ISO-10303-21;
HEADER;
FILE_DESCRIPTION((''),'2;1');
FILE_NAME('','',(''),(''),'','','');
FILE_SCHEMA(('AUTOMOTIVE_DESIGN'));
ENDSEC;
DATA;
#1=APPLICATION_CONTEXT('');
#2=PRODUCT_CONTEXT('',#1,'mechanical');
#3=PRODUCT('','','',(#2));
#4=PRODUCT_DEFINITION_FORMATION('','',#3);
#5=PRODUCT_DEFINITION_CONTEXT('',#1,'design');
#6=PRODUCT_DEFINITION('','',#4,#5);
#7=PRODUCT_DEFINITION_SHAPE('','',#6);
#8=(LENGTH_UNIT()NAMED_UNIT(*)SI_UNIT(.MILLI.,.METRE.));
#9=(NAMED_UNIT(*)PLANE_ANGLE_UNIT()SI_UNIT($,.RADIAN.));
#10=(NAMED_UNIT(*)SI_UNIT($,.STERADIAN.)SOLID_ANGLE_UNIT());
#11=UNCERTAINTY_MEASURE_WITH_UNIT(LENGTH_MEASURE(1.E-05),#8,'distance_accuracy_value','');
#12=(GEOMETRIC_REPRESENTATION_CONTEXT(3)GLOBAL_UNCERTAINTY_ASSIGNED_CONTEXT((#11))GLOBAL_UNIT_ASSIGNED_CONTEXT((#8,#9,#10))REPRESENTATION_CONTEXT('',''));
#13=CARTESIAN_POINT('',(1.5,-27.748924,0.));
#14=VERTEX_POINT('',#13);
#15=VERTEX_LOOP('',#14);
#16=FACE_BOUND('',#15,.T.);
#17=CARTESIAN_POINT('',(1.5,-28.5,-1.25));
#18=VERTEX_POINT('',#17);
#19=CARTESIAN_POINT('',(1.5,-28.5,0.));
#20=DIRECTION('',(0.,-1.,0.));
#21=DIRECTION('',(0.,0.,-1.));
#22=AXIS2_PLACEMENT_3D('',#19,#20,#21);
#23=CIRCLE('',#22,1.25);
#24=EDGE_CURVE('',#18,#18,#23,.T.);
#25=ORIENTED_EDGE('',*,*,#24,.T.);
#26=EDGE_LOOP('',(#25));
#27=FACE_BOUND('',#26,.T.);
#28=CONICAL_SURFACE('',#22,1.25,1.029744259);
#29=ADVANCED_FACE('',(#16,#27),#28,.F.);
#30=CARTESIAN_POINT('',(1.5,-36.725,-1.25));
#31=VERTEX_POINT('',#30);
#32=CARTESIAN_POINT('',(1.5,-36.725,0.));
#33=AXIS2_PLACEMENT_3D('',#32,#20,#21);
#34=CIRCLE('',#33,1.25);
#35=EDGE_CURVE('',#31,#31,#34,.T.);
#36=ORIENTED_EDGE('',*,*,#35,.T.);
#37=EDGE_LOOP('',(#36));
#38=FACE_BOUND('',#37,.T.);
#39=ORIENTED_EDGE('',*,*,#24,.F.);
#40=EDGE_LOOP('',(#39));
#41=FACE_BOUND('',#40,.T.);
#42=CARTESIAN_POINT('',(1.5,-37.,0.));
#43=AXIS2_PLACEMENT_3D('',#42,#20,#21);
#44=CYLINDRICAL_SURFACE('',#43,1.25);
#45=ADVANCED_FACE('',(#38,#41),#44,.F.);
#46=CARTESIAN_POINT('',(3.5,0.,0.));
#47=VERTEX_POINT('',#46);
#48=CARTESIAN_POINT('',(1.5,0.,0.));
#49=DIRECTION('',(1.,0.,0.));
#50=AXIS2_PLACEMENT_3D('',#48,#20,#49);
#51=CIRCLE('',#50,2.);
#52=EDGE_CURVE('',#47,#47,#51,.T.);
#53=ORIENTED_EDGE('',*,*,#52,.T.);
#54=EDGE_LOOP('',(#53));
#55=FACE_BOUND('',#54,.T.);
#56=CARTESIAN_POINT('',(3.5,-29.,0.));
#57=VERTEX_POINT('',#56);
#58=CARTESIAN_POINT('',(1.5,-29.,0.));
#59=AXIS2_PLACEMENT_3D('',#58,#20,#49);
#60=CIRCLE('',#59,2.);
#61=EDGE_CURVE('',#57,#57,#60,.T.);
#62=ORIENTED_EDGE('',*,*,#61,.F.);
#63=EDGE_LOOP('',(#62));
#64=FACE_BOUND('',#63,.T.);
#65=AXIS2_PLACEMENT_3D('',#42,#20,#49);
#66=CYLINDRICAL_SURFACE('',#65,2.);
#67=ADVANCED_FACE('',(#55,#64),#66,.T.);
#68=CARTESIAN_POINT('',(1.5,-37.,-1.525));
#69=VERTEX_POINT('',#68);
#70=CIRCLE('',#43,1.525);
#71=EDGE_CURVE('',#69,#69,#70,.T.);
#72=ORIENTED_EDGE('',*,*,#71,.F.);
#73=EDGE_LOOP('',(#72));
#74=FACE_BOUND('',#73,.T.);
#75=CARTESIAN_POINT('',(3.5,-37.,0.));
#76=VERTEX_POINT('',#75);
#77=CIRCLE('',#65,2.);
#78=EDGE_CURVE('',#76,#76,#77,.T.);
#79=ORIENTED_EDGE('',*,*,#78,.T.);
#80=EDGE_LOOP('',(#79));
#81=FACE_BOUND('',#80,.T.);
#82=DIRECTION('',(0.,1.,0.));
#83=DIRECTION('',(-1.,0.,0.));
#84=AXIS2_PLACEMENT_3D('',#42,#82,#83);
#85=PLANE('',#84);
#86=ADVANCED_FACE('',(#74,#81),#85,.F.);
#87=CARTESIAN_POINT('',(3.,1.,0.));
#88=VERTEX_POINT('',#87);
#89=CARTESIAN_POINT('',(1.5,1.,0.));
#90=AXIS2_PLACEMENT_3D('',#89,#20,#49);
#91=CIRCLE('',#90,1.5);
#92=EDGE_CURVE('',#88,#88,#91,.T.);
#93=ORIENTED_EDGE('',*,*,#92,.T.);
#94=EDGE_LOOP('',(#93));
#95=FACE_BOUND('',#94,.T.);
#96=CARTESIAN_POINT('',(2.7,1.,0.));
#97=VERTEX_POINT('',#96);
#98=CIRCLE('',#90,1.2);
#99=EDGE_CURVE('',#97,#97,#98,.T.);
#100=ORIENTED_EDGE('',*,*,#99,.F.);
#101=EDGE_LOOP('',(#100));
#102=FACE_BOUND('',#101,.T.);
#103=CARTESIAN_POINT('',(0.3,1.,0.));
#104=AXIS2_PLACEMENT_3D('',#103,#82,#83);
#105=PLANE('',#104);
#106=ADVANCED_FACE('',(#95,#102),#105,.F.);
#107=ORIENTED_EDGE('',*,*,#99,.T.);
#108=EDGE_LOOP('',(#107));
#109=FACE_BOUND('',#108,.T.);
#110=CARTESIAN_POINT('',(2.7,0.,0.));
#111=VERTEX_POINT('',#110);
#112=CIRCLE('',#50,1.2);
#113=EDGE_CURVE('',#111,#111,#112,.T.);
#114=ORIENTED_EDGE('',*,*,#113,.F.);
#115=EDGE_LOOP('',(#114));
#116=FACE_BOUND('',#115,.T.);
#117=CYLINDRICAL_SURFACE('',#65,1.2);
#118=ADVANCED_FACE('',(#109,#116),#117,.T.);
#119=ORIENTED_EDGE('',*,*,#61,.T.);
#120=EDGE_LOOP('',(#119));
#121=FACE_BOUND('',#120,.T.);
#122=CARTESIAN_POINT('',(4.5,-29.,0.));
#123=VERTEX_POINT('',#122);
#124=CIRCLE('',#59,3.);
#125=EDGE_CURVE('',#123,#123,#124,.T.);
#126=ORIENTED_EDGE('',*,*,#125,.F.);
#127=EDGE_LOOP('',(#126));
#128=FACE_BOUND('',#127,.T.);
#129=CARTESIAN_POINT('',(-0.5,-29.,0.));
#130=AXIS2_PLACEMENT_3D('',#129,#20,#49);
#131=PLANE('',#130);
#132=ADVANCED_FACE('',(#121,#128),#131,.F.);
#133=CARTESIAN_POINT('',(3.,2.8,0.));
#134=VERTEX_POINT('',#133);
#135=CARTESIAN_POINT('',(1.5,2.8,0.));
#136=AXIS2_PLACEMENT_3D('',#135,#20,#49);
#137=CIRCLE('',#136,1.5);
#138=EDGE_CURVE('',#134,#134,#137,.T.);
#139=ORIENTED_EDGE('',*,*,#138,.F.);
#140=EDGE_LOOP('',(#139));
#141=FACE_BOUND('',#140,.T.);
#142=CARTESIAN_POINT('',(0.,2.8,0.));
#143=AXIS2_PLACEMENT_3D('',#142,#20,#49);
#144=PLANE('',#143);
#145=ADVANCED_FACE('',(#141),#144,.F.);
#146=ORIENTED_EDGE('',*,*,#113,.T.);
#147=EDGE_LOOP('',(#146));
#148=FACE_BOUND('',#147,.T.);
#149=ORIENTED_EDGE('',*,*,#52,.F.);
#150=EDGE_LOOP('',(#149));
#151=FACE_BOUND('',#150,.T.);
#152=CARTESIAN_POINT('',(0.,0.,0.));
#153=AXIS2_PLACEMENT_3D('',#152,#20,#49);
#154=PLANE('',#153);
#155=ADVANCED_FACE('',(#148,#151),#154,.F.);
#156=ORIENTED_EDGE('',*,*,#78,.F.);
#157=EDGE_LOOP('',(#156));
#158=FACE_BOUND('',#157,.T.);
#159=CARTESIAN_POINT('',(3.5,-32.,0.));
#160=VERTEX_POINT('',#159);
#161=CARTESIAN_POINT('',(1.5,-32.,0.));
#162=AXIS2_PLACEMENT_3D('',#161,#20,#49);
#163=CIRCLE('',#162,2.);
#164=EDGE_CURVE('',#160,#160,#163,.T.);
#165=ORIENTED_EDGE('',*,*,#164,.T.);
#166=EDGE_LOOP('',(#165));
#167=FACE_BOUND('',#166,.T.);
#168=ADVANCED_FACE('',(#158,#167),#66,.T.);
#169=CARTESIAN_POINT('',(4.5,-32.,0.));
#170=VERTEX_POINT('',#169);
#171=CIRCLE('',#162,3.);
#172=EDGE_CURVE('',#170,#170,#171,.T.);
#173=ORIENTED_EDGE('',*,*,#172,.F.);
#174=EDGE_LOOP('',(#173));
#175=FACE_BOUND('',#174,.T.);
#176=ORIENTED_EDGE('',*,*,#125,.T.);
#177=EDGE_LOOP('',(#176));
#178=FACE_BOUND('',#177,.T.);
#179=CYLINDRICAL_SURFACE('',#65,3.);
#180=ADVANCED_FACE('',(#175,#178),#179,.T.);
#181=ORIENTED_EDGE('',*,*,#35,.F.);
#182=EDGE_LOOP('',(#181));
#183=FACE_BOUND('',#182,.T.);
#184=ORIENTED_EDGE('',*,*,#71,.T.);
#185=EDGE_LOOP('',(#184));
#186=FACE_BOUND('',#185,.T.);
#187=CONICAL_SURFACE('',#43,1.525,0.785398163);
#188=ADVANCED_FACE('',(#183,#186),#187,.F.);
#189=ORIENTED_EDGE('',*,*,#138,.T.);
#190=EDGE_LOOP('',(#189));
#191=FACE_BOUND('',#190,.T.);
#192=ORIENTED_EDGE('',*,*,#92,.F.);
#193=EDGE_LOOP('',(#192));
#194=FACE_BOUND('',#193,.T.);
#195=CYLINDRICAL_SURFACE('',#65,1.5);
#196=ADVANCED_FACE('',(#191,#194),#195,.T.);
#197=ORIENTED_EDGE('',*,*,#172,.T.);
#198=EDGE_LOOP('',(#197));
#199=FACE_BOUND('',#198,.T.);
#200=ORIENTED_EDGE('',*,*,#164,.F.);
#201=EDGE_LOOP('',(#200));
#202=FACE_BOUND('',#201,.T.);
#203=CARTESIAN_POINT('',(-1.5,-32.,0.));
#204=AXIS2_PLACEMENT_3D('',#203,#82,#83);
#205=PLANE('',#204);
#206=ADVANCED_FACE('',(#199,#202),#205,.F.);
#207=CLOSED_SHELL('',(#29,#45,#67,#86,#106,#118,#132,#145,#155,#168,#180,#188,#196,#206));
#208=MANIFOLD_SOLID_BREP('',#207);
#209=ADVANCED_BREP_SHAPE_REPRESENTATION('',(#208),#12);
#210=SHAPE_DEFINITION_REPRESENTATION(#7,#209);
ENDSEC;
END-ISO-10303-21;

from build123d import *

# Parameters (mm, degrees)
TROU_TARAUD_M31_D           = 2.5
TROU_TARAUD_M31_DEPTH       = 8.5
TROU_TARAUD_M31_CSINK_D     = 3.05
TROU_TARAUD_M31_CSINK_ANGLE = 90
TROU_TARAUD_M31_TIP         = 0.751075774


with BuildPart() as part:
    # Esquisse1 → Révolution1 (revolve)
    with BuildSketch(Plane.XY):
        Polygon((0, 0), (-0.5, 0), (-0.5, -29), (-1.5, -29), (-1.5, -32), (-0.5, -32), (-0.5, -37), (1.5, -37), (1.5, 2.8), (0, 2.8), (0, 1), (0.3, 1), (0.3, 0), align=None)
    revolve(axis=Axis((1.5, -37, 0), (0, 1, 0)))

    # Trou taraudé M31
    with Locations(Plane(origin=(0, -37, 0), x_dir=(-1, 0, 0), z_dir=(0, -1, 0))):
        with Locations((-1.5, 0)):
            CounterSinkHole(TROU_TARAUD_M31_D / 2, TROU_TARAUD_M31_CSINK_D / 2, depth=TROU_TARAUD_M31_DEPTH, counter_sink_angle=TROU_TARAUD_M31_CSINK_ANGLE)
            with Locations((0, 0, -(TROU_TARAUD_M31_DEPTH + TROU_TARAUD_M31_TIP / 2))):  # 118° drill point
                Cone(0, TROU_TARAUD_M31_D / 2, TROU_TARAUD_M31_TIP, mode=Mode.SUBTRACT)


solid = part.part
